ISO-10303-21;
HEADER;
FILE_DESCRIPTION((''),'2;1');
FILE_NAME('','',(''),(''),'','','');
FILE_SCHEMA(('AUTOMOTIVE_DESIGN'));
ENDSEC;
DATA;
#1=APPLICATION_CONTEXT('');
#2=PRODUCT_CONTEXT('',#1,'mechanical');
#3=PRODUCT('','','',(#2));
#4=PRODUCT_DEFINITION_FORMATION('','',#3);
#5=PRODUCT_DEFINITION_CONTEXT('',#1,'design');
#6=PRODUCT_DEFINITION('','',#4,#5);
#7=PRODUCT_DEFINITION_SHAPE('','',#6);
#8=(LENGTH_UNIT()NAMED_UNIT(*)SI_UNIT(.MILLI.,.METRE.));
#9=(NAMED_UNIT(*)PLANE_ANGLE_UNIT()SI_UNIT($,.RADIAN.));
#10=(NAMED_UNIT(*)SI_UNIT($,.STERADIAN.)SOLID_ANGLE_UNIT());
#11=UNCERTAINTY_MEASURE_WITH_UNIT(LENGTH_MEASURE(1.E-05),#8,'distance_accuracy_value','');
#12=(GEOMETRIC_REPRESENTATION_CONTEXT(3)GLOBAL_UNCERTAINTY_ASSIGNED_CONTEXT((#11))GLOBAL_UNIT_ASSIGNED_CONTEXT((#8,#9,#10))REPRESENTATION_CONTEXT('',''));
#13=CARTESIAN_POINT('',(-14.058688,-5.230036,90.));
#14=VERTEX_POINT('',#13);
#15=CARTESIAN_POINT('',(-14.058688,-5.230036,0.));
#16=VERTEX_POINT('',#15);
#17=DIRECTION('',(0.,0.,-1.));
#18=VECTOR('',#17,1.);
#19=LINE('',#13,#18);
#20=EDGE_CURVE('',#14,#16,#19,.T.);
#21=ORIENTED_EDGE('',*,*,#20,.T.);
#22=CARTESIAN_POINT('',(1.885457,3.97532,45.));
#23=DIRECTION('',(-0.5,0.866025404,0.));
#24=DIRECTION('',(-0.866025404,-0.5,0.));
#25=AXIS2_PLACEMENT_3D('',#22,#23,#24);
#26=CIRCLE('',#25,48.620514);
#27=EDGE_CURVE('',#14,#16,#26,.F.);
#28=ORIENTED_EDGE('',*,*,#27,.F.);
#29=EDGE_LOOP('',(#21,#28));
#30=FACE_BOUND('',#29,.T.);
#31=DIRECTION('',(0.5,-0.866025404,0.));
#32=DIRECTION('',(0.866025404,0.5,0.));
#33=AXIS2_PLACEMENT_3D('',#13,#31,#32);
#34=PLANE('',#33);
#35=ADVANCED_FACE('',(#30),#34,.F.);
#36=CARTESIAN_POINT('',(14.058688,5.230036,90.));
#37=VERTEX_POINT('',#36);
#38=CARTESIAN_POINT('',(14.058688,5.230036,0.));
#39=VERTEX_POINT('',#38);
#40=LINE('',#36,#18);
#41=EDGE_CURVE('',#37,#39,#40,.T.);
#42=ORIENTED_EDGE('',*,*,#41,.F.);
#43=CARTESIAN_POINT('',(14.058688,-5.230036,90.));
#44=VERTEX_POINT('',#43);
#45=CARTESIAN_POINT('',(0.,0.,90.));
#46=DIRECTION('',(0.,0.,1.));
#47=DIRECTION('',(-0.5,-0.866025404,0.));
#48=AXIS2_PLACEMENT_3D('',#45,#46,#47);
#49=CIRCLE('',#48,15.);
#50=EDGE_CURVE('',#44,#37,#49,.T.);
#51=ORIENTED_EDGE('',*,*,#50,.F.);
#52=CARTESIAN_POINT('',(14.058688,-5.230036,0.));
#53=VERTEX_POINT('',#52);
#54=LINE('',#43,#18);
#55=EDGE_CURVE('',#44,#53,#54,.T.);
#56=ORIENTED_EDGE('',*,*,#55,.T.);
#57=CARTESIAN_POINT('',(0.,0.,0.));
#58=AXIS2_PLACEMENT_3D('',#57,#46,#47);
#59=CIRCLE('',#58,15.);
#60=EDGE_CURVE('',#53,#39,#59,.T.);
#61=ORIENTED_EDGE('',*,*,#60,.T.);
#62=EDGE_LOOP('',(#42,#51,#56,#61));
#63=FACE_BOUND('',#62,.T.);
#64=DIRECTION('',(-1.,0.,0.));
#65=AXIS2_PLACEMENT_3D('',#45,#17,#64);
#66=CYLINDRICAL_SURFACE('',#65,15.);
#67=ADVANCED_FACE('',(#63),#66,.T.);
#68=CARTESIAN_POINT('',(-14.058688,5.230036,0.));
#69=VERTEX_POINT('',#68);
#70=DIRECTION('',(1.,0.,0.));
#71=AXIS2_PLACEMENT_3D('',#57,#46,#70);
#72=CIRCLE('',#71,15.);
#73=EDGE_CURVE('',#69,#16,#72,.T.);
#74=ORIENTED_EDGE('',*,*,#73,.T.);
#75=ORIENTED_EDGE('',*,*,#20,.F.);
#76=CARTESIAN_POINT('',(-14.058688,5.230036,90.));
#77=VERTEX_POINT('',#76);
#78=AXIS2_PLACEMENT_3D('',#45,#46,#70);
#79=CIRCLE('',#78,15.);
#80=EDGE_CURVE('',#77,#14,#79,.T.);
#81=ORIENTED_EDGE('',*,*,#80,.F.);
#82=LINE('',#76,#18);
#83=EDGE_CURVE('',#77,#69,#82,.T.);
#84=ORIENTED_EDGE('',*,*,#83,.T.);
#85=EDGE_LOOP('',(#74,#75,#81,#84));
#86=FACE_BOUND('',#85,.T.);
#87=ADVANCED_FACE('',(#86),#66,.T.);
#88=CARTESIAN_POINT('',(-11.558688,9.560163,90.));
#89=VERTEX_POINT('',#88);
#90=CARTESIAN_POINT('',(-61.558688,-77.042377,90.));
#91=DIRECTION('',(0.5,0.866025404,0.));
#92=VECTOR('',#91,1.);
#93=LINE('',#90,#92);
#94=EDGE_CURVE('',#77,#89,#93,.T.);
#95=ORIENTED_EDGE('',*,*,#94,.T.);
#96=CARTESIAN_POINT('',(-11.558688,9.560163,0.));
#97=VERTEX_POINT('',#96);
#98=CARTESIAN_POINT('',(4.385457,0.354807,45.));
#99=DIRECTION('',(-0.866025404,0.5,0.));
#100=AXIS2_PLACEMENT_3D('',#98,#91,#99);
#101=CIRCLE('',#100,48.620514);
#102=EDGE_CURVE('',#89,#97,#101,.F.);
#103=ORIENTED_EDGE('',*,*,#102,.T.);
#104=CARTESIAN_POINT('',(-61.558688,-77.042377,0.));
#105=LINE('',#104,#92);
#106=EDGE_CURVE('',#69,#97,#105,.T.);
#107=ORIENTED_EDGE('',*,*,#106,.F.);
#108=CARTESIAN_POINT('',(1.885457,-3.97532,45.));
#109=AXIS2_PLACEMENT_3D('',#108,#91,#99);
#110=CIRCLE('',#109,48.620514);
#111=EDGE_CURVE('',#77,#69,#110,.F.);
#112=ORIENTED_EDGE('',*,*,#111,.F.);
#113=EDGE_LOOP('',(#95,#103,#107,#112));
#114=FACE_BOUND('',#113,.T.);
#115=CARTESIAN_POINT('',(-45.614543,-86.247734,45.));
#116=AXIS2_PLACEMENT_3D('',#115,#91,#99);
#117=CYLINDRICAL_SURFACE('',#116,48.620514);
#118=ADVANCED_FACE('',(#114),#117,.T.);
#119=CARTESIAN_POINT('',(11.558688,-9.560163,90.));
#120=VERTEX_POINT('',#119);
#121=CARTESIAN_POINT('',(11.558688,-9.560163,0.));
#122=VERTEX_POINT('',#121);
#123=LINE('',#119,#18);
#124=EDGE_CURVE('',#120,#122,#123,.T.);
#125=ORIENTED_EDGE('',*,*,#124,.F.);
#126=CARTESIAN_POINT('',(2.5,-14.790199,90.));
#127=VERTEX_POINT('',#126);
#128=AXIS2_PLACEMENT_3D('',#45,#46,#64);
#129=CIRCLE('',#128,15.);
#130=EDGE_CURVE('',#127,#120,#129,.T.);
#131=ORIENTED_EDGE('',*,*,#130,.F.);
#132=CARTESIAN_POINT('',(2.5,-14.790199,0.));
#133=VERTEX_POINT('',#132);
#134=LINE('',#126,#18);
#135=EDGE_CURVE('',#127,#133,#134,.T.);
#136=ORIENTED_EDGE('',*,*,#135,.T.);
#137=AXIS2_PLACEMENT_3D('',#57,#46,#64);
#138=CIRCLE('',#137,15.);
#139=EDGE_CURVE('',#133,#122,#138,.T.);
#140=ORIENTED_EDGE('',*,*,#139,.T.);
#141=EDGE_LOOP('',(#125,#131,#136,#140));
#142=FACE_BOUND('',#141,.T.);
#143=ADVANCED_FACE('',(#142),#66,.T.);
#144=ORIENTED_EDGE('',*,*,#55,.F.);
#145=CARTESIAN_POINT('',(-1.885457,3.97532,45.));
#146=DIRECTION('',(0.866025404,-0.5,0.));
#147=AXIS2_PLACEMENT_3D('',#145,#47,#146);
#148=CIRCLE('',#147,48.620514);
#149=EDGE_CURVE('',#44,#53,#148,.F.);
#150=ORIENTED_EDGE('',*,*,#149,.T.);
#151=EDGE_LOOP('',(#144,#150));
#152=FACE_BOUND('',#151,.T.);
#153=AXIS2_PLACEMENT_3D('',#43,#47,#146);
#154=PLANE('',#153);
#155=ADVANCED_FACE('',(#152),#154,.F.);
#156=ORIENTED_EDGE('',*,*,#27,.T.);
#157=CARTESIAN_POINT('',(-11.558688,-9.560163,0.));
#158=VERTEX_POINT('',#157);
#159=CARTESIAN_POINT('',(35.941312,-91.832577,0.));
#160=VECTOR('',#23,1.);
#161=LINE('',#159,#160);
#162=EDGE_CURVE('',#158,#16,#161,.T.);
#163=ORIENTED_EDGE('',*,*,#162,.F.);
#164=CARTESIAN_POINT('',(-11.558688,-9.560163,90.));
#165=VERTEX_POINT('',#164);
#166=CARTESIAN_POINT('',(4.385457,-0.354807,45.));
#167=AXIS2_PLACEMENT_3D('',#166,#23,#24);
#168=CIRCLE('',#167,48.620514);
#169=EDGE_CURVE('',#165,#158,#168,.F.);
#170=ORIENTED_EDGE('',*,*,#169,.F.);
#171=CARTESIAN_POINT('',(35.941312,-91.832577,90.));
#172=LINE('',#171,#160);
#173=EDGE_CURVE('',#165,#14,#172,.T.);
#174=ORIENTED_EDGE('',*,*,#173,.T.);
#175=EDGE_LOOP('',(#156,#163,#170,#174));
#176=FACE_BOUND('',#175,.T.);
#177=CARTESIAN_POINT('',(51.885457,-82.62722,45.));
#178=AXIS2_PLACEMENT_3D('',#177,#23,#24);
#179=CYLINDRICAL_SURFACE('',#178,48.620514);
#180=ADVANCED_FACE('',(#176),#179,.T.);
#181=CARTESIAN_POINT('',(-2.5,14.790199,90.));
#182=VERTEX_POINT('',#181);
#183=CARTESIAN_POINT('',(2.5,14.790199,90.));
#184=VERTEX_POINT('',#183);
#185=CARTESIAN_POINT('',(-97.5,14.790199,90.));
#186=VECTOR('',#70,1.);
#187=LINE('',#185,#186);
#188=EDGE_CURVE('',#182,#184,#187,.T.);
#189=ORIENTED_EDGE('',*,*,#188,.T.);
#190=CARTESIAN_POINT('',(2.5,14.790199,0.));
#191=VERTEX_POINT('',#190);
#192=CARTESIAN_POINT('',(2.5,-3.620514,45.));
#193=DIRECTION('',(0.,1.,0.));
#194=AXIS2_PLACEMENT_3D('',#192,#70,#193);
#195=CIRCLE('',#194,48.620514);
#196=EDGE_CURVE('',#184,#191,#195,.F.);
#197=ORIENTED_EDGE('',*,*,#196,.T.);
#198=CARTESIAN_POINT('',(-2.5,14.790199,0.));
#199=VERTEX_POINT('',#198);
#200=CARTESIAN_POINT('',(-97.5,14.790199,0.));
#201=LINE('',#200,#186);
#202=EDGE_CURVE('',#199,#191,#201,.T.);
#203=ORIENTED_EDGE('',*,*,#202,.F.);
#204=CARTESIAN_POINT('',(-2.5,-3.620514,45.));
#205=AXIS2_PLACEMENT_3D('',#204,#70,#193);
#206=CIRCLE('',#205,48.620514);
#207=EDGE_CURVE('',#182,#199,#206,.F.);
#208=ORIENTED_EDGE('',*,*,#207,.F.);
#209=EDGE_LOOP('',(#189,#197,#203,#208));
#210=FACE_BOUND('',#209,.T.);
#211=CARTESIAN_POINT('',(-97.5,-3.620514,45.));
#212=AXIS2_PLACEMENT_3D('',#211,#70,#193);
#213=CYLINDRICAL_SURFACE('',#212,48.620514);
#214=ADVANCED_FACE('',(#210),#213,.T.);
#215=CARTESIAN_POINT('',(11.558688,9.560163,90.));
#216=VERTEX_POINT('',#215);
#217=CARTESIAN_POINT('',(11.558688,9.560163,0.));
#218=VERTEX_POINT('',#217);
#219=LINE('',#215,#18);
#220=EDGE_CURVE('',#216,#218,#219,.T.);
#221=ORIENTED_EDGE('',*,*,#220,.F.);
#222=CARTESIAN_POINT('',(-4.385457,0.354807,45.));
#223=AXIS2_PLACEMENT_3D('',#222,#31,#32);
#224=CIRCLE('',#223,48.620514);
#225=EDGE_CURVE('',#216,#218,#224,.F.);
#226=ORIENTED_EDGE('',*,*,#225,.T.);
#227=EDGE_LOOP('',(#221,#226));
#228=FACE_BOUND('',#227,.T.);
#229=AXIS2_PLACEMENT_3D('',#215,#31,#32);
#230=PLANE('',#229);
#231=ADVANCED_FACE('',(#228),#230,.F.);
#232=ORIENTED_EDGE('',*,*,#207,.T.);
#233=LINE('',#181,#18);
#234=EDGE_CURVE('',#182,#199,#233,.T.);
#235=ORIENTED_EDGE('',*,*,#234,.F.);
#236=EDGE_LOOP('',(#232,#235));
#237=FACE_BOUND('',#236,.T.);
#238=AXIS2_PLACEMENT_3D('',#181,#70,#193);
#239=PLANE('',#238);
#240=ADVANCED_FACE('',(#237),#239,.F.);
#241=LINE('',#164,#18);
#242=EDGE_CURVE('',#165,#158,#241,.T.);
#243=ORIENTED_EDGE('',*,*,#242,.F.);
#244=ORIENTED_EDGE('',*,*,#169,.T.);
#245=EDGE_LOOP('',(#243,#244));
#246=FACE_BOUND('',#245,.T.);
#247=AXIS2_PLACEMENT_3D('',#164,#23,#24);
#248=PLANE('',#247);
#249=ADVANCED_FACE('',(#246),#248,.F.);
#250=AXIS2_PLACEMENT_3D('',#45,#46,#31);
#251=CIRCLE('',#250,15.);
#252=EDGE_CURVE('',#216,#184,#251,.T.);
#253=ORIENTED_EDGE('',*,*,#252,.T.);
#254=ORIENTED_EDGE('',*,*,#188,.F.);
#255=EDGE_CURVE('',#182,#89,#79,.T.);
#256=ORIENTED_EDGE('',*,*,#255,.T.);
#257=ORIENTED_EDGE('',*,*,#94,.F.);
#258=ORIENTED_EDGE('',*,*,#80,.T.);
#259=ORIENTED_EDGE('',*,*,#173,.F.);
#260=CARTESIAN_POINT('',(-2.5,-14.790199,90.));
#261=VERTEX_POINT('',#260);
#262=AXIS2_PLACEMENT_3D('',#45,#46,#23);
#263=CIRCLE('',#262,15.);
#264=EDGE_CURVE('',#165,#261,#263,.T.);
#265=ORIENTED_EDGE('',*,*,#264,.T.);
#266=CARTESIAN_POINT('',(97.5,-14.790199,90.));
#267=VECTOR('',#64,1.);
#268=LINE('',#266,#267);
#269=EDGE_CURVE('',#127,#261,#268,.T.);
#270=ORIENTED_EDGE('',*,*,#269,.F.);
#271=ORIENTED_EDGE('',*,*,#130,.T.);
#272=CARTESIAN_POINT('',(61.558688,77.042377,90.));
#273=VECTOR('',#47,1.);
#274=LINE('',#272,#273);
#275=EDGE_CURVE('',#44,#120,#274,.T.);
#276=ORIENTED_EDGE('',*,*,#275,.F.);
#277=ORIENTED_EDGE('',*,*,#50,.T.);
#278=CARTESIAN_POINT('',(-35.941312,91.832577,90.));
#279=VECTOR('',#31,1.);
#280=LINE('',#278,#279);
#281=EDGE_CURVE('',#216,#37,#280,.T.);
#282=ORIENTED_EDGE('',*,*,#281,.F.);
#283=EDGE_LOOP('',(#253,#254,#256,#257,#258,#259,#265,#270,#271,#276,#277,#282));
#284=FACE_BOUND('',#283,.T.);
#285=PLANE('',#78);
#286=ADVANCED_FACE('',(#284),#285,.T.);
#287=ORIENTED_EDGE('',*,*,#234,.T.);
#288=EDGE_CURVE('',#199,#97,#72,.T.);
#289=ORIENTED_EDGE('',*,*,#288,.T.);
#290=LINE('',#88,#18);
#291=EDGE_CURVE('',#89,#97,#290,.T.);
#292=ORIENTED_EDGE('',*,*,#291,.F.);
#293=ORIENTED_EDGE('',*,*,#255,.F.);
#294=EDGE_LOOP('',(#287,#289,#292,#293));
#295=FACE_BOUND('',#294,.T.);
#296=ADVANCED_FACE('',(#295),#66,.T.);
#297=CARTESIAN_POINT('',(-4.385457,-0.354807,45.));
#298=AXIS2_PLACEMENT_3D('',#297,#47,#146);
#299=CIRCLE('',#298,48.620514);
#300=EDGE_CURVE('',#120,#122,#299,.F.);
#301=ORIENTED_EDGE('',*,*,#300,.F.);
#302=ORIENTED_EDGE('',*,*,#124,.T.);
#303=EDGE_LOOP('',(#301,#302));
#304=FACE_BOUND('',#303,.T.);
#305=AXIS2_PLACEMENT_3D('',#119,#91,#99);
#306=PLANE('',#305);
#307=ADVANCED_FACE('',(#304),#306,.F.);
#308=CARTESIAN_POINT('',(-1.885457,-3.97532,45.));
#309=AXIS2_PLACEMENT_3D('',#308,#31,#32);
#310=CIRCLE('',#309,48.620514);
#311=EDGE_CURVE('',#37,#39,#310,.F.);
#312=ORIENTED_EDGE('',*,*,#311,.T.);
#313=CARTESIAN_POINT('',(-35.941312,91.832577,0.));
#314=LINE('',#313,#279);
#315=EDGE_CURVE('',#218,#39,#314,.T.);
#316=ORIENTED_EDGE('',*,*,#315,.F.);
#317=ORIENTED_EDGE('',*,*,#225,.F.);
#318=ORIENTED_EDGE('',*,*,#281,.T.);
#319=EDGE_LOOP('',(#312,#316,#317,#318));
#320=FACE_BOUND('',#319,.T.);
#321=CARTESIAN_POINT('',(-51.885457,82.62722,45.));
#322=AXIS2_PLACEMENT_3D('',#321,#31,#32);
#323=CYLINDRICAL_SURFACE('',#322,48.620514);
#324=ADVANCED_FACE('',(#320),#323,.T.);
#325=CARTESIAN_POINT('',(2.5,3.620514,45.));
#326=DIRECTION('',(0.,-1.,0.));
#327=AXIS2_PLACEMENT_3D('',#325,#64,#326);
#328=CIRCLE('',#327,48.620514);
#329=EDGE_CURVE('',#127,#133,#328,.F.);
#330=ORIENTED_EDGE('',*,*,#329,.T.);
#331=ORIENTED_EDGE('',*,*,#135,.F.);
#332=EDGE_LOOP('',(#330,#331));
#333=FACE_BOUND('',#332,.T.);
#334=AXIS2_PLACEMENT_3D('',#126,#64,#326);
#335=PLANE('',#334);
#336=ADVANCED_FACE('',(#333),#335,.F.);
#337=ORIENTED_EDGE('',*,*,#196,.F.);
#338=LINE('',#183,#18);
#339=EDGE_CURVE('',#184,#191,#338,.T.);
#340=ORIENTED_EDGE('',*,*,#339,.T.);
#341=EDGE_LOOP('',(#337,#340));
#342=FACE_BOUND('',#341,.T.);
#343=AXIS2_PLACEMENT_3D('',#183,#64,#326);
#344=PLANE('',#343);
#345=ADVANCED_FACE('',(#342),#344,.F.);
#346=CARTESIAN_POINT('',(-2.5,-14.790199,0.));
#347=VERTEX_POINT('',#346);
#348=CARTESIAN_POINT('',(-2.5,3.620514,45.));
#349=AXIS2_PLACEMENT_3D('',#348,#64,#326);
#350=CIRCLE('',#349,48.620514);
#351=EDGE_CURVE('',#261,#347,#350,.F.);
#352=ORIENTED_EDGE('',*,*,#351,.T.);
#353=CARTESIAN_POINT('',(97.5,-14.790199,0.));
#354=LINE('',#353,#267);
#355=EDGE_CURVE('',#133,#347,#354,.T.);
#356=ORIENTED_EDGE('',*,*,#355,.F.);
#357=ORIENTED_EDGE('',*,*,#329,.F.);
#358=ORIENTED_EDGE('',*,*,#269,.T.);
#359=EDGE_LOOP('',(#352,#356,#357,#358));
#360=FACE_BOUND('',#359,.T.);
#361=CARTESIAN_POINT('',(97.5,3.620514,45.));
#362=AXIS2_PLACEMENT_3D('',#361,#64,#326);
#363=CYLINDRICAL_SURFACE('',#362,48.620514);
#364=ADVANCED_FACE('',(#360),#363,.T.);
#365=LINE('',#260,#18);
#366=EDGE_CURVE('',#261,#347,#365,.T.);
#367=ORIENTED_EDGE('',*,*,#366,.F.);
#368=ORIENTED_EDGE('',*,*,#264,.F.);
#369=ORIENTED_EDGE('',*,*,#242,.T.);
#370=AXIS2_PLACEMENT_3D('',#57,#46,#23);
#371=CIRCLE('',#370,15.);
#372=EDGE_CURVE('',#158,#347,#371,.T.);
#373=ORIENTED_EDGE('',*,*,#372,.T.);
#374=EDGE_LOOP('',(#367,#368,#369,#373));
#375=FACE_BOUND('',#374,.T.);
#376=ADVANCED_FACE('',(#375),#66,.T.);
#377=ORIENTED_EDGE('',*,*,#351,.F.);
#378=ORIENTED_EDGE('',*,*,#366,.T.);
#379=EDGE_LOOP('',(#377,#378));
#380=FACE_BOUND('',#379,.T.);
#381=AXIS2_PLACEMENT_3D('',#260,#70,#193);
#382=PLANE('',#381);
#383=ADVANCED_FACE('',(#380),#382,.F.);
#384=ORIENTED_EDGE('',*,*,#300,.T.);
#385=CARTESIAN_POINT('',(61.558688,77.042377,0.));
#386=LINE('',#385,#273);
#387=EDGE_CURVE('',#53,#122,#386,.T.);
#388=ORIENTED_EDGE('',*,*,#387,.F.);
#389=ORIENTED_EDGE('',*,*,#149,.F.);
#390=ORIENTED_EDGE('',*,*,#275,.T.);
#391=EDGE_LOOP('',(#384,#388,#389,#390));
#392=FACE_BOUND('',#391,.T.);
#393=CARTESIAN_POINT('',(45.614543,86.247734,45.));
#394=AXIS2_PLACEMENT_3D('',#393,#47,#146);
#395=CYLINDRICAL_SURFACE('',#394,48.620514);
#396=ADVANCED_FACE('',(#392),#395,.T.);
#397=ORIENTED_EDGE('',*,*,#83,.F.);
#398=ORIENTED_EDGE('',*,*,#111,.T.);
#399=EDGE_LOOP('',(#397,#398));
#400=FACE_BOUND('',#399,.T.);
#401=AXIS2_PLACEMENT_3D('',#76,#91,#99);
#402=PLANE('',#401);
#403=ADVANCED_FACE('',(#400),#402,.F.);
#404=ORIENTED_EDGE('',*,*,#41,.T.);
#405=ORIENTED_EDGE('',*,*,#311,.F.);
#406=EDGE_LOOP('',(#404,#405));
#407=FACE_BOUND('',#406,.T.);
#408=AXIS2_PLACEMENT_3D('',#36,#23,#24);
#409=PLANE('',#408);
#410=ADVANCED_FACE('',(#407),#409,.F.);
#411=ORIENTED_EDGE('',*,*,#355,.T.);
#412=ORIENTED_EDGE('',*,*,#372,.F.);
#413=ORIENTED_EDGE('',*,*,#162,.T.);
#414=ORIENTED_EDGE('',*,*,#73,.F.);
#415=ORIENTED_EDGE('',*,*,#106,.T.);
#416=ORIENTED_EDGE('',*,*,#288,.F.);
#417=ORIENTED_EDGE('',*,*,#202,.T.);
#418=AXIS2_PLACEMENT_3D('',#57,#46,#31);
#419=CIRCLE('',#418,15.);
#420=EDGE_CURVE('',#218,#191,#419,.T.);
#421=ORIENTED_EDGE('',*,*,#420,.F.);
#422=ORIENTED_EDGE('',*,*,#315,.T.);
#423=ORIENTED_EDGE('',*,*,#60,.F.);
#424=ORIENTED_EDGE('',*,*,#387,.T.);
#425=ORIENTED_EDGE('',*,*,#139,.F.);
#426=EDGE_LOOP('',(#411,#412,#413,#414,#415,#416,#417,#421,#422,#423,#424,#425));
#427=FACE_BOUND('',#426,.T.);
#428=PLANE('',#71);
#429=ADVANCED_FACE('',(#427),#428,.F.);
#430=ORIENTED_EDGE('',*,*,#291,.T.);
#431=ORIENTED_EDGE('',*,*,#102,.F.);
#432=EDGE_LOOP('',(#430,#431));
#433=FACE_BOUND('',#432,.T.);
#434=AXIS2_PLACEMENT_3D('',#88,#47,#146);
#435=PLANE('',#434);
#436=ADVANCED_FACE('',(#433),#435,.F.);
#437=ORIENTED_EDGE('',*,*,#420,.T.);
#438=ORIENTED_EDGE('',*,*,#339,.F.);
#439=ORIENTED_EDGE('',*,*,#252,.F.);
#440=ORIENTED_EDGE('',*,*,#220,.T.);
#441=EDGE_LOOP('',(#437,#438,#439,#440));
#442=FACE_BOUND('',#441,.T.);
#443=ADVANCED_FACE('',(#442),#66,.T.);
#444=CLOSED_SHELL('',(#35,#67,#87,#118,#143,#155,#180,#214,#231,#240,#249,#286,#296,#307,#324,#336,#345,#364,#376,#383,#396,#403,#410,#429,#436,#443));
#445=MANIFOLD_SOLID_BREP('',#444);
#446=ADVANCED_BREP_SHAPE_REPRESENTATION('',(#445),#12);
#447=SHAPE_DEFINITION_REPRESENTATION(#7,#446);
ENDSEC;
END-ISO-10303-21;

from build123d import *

# Parameters (mm, degrees)
BOSS_EXTRUDE1_DEPTH = 90
CUT_EXTRUDE2_DEPTH  = 100
CIRPATTERN3_COUNT   = 6


with BuildPart() as part:
    # Sketch1 → Boss-Extrude1 (new body)
    with BuildSketch(Plane.XY):
        with BuildLine():
            Line((-14.058688457, 5.230036219), (-40.22114317, 20.334936491))
            Line((-40.22114317, 20.334936491), (-37.72114317, 24.665063509))
            Line((-37.72114317, 24.665063509), (-11.558688457, 9.560163238))
            ThreePointArc((-11.558688457, 9.560163238), (-9.682458366, 11.456439237), (-7.5, 12.990381057))
            Line((-7.5, 12.990381057), (0, 0))
            Line((0, 0), (-15, 0))
            ThreePointArc((-15, 0), (-14.762796599, 2.657035297), (-14.058688457, 5.230036219))
        make_face()
    boss_extrude1 = extrude(amount=BOSS_EXTRUDE1_DEPTH)

    # Sketch2 → Cut-Extrude2 (cut)
    with BuildSketch(Plane(origin=(1.25, 2.165063509, 0), x_dir=(0.8660254037844417, -0.4999999999999949, 0), z_dir=(0.4999999999999949, 0.8660254037844417, 0))):
        with BuildLine():
            Line((-45, 0), (-45, -45))
            ThreePointArc((-45, -45), (-36.747126088, -17.900036675), (-14.790199458, 0))
            Line((-14.790199458, 0), (-45, 0))
        make_face()
        with BuildLine():
            Line((-45, -90), (-14.790199458, -90))
            ThreePointArc((-14.790199458, -90), (-36.747126088, -72.099963325), (-45, -45))
            Line((-45, -45), (-45, -90))
        make_face()
    cut_extrude2 = extrude(amount=-CUT_EXTRUDE2_DEPTH, mode=Mode.SUBTRACT)

    # CirPattern3: Boss-Extrude1, Cut-Extrude2 ×6 about axis
    cirpattern3_axis = Axis((0, 0, 90), (0, 0, -1))
    add([boss_extrude1.rotate(cirpattern3_axis, i * 360 / CIRPATTERN3_COUNT) for i in range(1, CIRPATTERN3_COUNT)])
    add([cut_extrude2.rotate(cirpattern3_axis, i * 360 / CIRPATTERN3_COUNT) for i in range(1, CIRPATTERN3_COUNT)], mode=Mode.SUBTRACT)


solid = part.part
